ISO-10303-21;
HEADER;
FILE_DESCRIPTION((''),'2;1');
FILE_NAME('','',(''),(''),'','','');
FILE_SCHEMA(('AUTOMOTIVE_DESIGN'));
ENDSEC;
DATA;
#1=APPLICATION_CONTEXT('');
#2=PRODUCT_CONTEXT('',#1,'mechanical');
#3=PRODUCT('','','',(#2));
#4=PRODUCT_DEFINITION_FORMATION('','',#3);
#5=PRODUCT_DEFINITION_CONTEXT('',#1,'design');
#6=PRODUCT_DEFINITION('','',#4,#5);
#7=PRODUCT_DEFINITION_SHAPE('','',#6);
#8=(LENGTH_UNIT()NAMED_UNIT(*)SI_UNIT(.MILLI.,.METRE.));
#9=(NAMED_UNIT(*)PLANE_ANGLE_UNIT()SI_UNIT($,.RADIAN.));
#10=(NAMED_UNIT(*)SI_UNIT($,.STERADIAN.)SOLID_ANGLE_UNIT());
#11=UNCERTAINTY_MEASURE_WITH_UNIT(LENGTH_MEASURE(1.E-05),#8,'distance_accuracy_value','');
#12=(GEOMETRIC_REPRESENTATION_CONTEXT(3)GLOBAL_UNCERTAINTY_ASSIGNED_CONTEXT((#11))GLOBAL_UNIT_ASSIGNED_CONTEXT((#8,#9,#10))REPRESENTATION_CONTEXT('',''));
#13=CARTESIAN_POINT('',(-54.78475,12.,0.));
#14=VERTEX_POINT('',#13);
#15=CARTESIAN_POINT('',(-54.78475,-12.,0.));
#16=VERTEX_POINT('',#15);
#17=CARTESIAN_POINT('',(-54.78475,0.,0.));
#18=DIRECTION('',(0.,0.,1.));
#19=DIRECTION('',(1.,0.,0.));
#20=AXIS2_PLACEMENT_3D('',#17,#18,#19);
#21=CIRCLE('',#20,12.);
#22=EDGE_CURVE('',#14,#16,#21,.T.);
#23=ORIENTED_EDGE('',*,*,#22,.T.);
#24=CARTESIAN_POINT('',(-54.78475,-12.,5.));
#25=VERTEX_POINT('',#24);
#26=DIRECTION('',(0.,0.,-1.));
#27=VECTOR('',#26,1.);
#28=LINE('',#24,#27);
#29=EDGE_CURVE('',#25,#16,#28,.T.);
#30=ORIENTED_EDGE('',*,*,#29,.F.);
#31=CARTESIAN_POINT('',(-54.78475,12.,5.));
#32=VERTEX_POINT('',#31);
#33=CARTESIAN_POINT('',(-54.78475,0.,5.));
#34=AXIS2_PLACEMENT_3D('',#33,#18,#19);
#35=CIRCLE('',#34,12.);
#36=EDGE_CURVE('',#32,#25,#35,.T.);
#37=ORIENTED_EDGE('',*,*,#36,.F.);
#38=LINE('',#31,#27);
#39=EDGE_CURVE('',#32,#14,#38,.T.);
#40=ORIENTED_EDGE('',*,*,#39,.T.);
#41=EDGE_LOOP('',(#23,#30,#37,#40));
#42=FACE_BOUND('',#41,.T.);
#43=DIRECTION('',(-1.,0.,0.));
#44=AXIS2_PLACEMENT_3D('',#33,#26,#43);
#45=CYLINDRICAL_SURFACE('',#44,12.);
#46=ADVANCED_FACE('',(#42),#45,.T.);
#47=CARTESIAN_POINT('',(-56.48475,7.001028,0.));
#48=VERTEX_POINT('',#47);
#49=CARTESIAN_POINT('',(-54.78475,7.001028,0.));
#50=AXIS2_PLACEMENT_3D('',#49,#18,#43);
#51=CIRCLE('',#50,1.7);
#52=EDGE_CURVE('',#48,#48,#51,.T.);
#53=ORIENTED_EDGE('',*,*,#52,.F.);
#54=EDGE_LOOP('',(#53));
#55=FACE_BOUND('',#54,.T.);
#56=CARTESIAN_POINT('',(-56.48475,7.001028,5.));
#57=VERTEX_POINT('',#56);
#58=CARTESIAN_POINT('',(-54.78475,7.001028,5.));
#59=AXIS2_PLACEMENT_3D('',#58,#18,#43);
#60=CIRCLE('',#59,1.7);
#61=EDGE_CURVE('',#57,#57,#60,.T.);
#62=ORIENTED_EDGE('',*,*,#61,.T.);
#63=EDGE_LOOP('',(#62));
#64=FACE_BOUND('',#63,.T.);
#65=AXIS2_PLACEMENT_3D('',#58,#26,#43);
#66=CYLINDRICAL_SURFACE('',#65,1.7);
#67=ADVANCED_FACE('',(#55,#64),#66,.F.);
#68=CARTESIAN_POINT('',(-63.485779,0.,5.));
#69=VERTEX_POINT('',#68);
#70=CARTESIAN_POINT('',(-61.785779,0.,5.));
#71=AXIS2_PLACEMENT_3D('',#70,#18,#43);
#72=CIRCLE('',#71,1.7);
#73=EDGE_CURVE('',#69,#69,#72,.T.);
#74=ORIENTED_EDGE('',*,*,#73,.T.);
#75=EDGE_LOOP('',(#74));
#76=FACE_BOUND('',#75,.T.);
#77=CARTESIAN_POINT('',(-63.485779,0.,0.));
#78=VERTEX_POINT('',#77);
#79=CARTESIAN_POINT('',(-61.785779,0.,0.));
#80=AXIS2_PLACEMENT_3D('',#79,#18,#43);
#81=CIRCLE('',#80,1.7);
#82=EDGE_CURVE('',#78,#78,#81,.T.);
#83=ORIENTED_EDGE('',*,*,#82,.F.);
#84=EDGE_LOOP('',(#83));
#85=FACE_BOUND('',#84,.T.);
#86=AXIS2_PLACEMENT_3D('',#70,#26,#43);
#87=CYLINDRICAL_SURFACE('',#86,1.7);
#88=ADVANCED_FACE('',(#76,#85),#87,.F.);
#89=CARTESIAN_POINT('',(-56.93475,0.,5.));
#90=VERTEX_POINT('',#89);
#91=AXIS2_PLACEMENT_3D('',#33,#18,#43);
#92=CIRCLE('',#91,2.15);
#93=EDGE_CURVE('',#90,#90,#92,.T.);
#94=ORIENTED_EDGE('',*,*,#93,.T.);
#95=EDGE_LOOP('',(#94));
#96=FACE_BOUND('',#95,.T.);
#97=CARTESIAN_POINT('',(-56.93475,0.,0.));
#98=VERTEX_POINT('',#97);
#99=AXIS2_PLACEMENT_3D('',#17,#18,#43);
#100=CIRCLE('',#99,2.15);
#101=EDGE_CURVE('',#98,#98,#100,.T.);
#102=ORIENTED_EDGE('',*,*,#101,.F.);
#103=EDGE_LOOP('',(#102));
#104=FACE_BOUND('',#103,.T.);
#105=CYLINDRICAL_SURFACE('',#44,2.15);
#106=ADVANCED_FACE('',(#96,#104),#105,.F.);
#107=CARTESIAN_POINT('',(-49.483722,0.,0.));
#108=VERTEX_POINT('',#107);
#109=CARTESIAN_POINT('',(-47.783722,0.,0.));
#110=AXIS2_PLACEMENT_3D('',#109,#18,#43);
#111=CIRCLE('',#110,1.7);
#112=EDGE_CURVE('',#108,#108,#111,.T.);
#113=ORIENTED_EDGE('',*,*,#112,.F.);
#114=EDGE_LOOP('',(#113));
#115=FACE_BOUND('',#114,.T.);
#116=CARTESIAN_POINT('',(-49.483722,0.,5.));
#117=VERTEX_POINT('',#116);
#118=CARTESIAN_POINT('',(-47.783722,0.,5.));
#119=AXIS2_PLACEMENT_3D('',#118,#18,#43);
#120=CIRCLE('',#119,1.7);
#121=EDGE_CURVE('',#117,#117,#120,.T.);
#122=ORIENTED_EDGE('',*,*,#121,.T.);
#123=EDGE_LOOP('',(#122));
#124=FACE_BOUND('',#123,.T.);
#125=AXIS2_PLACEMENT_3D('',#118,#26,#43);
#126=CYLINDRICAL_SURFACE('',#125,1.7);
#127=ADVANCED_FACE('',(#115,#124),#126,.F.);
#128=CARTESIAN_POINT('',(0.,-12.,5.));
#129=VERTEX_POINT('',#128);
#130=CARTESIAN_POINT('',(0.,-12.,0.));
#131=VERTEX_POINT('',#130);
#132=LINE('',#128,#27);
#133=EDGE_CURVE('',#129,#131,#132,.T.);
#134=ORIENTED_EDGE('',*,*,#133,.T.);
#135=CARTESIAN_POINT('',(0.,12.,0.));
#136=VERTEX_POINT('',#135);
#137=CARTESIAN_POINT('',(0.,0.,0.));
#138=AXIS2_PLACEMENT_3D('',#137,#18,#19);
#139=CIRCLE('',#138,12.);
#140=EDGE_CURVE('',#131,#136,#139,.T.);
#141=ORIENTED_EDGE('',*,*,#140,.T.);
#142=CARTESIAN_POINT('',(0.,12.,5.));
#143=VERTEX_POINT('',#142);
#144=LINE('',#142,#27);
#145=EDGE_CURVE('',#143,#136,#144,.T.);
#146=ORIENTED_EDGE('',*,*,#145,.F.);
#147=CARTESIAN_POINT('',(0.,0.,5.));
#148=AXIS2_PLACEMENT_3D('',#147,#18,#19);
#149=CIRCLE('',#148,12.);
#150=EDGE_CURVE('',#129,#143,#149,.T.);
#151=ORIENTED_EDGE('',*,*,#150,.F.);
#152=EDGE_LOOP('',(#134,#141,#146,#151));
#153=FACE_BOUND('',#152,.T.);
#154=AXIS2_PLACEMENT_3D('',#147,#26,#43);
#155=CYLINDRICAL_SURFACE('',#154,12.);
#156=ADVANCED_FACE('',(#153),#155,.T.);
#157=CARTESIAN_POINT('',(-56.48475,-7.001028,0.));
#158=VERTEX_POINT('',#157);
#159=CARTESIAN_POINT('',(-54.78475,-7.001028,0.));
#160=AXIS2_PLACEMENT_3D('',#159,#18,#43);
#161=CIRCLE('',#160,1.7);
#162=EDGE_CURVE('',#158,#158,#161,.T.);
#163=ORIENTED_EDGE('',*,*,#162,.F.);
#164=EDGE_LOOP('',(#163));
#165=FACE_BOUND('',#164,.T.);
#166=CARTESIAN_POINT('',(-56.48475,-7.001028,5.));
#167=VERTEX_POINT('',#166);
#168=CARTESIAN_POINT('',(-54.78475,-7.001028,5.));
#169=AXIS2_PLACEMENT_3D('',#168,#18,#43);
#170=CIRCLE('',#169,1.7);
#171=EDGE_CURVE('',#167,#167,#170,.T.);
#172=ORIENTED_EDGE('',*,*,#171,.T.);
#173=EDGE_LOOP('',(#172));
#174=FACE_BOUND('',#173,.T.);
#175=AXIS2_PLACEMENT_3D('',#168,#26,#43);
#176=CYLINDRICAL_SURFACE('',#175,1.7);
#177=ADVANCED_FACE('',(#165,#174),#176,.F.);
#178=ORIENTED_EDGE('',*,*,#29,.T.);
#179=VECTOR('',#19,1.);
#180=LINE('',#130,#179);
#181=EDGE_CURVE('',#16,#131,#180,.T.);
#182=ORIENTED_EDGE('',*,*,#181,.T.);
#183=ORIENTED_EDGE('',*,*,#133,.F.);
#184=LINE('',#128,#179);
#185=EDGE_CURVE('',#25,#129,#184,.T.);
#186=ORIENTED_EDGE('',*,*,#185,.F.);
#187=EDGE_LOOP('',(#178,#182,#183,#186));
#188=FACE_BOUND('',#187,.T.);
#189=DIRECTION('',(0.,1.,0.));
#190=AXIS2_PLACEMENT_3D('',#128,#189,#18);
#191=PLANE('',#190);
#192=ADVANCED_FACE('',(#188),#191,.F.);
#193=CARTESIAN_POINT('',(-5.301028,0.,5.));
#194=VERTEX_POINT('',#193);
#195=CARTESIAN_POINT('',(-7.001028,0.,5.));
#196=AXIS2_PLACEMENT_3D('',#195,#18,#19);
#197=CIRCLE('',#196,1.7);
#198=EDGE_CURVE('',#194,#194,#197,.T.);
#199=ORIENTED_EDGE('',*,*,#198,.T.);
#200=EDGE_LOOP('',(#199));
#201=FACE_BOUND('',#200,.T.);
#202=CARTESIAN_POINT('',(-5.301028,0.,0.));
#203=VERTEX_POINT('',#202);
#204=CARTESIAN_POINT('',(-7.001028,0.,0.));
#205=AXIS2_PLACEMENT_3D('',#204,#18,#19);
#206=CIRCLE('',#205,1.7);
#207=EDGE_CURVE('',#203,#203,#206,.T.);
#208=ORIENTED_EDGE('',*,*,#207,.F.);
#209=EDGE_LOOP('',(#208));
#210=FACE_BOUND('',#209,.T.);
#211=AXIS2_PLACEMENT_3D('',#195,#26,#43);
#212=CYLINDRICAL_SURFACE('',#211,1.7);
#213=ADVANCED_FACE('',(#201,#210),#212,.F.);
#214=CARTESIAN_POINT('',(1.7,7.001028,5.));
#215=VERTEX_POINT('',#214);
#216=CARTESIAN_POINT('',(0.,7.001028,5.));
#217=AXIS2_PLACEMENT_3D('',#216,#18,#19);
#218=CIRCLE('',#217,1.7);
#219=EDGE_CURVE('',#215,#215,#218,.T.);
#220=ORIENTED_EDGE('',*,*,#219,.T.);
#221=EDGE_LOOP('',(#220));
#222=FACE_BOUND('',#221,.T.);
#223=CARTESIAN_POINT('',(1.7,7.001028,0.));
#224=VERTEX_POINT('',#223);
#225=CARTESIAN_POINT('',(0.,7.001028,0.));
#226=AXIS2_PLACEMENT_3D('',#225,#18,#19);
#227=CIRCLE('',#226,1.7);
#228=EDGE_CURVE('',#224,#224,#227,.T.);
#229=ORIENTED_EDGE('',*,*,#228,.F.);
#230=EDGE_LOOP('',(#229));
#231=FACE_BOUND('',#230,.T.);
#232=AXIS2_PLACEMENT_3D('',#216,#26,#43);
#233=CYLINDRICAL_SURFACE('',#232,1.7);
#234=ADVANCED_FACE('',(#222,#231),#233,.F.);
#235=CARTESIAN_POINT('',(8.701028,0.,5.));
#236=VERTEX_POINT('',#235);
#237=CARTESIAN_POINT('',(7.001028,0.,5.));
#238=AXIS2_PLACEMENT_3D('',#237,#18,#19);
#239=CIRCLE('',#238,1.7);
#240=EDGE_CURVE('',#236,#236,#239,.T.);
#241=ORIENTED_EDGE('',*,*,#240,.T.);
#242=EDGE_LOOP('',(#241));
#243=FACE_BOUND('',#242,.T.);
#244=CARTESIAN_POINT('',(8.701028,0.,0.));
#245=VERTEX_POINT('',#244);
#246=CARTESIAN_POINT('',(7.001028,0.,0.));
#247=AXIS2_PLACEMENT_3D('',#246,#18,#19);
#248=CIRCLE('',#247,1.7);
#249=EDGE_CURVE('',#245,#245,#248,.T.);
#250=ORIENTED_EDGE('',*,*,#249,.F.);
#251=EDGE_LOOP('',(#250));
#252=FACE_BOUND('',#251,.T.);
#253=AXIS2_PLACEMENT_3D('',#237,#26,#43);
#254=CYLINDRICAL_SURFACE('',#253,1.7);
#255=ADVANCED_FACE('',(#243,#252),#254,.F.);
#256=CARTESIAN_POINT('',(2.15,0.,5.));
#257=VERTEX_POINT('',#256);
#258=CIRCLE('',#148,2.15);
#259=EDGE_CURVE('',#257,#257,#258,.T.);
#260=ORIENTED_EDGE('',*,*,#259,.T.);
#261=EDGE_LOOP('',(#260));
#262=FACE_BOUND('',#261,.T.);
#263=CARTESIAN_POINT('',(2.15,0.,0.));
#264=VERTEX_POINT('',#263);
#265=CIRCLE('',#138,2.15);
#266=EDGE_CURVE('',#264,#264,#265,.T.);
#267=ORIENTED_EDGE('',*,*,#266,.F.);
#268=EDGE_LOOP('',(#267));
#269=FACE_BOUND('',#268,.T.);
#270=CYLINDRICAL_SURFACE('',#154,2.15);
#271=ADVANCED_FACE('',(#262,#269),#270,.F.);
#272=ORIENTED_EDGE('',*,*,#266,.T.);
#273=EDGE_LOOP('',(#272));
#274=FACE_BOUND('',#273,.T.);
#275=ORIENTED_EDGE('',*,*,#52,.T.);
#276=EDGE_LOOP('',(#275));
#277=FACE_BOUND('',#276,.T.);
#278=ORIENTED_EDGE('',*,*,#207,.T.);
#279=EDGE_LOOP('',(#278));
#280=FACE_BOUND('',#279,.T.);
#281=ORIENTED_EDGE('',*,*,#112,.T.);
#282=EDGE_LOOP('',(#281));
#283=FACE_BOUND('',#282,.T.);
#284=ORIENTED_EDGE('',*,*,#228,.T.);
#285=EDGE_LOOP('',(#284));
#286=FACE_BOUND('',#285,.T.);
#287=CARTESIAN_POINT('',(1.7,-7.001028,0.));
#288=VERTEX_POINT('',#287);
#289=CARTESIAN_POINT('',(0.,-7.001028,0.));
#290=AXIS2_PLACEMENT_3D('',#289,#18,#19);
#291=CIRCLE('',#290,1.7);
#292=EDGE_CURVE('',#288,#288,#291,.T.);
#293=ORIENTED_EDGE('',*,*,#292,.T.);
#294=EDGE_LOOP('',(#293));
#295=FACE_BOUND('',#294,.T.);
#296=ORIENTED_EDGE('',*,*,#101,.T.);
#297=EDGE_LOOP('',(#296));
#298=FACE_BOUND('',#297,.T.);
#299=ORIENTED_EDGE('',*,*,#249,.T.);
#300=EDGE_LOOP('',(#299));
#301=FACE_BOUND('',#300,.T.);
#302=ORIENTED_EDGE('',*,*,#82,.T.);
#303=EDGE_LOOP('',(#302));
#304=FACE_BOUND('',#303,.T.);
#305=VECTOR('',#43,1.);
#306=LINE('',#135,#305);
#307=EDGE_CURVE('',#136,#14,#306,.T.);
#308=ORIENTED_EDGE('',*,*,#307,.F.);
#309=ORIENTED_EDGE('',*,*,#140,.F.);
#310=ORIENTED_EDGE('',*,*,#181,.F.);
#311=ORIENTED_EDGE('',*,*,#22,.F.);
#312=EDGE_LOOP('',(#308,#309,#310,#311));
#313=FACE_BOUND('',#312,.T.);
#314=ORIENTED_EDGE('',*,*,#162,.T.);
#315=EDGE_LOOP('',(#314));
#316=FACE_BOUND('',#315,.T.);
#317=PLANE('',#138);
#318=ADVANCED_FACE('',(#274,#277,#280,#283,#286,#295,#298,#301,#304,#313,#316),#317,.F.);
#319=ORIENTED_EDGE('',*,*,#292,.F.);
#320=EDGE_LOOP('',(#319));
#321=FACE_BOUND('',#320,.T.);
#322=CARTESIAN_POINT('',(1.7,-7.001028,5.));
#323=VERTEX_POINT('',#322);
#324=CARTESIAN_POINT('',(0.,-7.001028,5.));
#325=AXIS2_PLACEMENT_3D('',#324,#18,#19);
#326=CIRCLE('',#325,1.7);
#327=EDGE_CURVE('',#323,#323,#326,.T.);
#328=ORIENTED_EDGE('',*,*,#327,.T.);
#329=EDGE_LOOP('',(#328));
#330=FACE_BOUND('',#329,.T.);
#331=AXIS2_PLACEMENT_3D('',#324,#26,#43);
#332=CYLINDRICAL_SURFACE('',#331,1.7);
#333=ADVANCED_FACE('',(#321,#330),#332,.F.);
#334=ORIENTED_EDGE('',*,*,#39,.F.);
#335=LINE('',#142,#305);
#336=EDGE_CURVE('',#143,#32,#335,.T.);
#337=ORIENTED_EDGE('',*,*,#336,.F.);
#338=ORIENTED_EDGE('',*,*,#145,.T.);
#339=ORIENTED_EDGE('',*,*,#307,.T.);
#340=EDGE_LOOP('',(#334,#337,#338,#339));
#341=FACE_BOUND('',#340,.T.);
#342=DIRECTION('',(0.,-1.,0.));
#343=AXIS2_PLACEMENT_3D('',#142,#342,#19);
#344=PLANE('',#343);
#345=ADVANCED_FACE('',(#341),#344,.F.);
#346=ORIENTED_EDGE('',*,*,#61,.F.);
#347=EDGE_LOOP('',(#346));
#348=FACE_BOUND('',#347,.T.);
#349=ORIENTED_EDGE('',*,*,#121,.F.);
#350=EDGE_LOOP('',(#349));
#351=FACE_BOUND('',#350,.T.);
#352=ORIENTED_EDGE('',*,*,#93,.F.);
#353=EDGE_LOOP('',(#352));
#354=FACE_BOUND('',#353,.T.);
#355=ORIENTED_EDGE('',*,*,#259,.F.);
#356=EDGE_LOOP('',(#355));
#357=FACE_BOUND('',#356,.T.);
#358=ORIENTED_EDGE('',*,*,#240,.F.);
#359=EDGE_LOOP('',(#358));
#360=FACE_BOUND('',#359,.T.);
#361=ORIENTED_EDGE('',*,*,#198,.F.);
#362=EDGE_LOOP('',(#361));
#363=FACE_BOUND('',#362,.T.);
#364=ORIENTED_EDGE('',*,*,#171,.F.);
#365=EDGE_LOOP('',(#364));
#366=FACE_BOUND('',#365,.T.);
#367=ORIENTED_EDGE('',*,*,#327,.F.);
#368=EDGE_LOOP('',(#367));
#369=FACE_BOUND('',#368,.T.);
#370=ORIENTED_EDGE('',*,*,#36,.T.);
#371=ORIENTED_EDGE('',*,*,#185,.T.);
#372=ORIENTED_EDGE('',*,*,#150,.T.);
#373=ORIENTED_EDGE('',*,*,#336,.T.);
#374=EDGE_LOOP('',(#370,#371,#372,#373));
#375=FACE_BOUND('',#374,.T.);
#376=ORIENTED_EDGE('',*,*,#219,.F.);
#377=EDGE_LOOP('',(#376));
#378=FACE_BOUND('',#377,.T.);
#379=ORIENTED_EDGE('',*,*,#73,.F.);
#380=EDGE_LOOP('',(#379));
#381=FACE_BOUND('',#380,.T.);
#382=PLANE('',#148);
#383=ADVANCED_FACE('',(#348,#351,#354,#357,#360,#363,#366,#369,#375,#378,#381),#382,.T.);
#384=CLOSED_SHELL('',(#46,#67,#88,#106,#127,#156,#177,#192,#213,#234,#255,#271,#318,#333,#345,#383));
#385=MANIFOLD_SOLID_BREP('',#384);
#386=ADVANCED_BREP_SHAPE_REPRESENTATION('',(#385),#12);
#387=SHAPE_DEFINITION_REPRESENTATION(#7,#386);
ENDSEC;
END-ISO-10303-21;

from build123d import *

# Parameters (mm, degrees)
SZKIC1_R                    = 1.7
SZKIC1_R_2                  = 2.15
DODANIE_WYCI_GNI_CIE1_DEPTH = 5


with BuildPart() as part:
    # Szkic1 → Dodanie-wyciągnięcie1 (new body)
    with BuildSketch(Plane.XY):
        with BuildLine():
            Line((0, -12), (-54.784750049, -12))
            ThreePointArc((-54.784750049, -12), (-66.784750049, 0), (-54.784750049, 12))
            Line((-54.784750049, 12), (0, 12))
            ThreePointArc((0, 12), (12, 0), (0, -12))
        make_face()
        with Locations((0, 7.001028496)):
            Circle(SZKIC1_R, mode=Mode.SUBTRACT)
        Circle(SZKIC1_R_2, mode=Mode.SUBTRACT)
        with Locations((7.001028496, 0)):
            Circle(SZKIC1_R, mode=Mode.SUBTRACT)
        with Locations((0, -7.001028496)):
            Circle(SZKIC1_R, mode=Mode.SUBTRACT)
        with Locations((-7.001028496, 0)):
            Circle(SZKIC1_R, mode=Mode.SUBTRACT)
        with Locations(Location((-47.783721554, 0, 0), (0, 0, 180))):
            Circle(SZKIC1_R, mode=Mode.SUBTRACT)
        with Locations(Location((-54.784750049, -7.001028496, 0), (0, 0, 180))):
            Circle(SZKIC1_R, mode=Mode.SUBTRACT)
        with Locations(Location((-61.785778545, 0, 0), (0, 0, 180))):
            Circle(SZKIC1_R, mode=Mode.SUBTRACT)
        with Locations(Location((-54.784750049, 0, 0), (0, 0, 180))):
            Circle(SZKIC1_R_2, mode=Mode.SUBTRACT)
        with Locations(Location((-54.784750049, 7.001028496, 0), (0, 0, 180))):
            Circle(SZKIC1_R, mode=Mode.SUBTRACT)
    extrude(amount=DODANIE_WYCI_GNI_CIE1_DEPTH)


solid = part.part
